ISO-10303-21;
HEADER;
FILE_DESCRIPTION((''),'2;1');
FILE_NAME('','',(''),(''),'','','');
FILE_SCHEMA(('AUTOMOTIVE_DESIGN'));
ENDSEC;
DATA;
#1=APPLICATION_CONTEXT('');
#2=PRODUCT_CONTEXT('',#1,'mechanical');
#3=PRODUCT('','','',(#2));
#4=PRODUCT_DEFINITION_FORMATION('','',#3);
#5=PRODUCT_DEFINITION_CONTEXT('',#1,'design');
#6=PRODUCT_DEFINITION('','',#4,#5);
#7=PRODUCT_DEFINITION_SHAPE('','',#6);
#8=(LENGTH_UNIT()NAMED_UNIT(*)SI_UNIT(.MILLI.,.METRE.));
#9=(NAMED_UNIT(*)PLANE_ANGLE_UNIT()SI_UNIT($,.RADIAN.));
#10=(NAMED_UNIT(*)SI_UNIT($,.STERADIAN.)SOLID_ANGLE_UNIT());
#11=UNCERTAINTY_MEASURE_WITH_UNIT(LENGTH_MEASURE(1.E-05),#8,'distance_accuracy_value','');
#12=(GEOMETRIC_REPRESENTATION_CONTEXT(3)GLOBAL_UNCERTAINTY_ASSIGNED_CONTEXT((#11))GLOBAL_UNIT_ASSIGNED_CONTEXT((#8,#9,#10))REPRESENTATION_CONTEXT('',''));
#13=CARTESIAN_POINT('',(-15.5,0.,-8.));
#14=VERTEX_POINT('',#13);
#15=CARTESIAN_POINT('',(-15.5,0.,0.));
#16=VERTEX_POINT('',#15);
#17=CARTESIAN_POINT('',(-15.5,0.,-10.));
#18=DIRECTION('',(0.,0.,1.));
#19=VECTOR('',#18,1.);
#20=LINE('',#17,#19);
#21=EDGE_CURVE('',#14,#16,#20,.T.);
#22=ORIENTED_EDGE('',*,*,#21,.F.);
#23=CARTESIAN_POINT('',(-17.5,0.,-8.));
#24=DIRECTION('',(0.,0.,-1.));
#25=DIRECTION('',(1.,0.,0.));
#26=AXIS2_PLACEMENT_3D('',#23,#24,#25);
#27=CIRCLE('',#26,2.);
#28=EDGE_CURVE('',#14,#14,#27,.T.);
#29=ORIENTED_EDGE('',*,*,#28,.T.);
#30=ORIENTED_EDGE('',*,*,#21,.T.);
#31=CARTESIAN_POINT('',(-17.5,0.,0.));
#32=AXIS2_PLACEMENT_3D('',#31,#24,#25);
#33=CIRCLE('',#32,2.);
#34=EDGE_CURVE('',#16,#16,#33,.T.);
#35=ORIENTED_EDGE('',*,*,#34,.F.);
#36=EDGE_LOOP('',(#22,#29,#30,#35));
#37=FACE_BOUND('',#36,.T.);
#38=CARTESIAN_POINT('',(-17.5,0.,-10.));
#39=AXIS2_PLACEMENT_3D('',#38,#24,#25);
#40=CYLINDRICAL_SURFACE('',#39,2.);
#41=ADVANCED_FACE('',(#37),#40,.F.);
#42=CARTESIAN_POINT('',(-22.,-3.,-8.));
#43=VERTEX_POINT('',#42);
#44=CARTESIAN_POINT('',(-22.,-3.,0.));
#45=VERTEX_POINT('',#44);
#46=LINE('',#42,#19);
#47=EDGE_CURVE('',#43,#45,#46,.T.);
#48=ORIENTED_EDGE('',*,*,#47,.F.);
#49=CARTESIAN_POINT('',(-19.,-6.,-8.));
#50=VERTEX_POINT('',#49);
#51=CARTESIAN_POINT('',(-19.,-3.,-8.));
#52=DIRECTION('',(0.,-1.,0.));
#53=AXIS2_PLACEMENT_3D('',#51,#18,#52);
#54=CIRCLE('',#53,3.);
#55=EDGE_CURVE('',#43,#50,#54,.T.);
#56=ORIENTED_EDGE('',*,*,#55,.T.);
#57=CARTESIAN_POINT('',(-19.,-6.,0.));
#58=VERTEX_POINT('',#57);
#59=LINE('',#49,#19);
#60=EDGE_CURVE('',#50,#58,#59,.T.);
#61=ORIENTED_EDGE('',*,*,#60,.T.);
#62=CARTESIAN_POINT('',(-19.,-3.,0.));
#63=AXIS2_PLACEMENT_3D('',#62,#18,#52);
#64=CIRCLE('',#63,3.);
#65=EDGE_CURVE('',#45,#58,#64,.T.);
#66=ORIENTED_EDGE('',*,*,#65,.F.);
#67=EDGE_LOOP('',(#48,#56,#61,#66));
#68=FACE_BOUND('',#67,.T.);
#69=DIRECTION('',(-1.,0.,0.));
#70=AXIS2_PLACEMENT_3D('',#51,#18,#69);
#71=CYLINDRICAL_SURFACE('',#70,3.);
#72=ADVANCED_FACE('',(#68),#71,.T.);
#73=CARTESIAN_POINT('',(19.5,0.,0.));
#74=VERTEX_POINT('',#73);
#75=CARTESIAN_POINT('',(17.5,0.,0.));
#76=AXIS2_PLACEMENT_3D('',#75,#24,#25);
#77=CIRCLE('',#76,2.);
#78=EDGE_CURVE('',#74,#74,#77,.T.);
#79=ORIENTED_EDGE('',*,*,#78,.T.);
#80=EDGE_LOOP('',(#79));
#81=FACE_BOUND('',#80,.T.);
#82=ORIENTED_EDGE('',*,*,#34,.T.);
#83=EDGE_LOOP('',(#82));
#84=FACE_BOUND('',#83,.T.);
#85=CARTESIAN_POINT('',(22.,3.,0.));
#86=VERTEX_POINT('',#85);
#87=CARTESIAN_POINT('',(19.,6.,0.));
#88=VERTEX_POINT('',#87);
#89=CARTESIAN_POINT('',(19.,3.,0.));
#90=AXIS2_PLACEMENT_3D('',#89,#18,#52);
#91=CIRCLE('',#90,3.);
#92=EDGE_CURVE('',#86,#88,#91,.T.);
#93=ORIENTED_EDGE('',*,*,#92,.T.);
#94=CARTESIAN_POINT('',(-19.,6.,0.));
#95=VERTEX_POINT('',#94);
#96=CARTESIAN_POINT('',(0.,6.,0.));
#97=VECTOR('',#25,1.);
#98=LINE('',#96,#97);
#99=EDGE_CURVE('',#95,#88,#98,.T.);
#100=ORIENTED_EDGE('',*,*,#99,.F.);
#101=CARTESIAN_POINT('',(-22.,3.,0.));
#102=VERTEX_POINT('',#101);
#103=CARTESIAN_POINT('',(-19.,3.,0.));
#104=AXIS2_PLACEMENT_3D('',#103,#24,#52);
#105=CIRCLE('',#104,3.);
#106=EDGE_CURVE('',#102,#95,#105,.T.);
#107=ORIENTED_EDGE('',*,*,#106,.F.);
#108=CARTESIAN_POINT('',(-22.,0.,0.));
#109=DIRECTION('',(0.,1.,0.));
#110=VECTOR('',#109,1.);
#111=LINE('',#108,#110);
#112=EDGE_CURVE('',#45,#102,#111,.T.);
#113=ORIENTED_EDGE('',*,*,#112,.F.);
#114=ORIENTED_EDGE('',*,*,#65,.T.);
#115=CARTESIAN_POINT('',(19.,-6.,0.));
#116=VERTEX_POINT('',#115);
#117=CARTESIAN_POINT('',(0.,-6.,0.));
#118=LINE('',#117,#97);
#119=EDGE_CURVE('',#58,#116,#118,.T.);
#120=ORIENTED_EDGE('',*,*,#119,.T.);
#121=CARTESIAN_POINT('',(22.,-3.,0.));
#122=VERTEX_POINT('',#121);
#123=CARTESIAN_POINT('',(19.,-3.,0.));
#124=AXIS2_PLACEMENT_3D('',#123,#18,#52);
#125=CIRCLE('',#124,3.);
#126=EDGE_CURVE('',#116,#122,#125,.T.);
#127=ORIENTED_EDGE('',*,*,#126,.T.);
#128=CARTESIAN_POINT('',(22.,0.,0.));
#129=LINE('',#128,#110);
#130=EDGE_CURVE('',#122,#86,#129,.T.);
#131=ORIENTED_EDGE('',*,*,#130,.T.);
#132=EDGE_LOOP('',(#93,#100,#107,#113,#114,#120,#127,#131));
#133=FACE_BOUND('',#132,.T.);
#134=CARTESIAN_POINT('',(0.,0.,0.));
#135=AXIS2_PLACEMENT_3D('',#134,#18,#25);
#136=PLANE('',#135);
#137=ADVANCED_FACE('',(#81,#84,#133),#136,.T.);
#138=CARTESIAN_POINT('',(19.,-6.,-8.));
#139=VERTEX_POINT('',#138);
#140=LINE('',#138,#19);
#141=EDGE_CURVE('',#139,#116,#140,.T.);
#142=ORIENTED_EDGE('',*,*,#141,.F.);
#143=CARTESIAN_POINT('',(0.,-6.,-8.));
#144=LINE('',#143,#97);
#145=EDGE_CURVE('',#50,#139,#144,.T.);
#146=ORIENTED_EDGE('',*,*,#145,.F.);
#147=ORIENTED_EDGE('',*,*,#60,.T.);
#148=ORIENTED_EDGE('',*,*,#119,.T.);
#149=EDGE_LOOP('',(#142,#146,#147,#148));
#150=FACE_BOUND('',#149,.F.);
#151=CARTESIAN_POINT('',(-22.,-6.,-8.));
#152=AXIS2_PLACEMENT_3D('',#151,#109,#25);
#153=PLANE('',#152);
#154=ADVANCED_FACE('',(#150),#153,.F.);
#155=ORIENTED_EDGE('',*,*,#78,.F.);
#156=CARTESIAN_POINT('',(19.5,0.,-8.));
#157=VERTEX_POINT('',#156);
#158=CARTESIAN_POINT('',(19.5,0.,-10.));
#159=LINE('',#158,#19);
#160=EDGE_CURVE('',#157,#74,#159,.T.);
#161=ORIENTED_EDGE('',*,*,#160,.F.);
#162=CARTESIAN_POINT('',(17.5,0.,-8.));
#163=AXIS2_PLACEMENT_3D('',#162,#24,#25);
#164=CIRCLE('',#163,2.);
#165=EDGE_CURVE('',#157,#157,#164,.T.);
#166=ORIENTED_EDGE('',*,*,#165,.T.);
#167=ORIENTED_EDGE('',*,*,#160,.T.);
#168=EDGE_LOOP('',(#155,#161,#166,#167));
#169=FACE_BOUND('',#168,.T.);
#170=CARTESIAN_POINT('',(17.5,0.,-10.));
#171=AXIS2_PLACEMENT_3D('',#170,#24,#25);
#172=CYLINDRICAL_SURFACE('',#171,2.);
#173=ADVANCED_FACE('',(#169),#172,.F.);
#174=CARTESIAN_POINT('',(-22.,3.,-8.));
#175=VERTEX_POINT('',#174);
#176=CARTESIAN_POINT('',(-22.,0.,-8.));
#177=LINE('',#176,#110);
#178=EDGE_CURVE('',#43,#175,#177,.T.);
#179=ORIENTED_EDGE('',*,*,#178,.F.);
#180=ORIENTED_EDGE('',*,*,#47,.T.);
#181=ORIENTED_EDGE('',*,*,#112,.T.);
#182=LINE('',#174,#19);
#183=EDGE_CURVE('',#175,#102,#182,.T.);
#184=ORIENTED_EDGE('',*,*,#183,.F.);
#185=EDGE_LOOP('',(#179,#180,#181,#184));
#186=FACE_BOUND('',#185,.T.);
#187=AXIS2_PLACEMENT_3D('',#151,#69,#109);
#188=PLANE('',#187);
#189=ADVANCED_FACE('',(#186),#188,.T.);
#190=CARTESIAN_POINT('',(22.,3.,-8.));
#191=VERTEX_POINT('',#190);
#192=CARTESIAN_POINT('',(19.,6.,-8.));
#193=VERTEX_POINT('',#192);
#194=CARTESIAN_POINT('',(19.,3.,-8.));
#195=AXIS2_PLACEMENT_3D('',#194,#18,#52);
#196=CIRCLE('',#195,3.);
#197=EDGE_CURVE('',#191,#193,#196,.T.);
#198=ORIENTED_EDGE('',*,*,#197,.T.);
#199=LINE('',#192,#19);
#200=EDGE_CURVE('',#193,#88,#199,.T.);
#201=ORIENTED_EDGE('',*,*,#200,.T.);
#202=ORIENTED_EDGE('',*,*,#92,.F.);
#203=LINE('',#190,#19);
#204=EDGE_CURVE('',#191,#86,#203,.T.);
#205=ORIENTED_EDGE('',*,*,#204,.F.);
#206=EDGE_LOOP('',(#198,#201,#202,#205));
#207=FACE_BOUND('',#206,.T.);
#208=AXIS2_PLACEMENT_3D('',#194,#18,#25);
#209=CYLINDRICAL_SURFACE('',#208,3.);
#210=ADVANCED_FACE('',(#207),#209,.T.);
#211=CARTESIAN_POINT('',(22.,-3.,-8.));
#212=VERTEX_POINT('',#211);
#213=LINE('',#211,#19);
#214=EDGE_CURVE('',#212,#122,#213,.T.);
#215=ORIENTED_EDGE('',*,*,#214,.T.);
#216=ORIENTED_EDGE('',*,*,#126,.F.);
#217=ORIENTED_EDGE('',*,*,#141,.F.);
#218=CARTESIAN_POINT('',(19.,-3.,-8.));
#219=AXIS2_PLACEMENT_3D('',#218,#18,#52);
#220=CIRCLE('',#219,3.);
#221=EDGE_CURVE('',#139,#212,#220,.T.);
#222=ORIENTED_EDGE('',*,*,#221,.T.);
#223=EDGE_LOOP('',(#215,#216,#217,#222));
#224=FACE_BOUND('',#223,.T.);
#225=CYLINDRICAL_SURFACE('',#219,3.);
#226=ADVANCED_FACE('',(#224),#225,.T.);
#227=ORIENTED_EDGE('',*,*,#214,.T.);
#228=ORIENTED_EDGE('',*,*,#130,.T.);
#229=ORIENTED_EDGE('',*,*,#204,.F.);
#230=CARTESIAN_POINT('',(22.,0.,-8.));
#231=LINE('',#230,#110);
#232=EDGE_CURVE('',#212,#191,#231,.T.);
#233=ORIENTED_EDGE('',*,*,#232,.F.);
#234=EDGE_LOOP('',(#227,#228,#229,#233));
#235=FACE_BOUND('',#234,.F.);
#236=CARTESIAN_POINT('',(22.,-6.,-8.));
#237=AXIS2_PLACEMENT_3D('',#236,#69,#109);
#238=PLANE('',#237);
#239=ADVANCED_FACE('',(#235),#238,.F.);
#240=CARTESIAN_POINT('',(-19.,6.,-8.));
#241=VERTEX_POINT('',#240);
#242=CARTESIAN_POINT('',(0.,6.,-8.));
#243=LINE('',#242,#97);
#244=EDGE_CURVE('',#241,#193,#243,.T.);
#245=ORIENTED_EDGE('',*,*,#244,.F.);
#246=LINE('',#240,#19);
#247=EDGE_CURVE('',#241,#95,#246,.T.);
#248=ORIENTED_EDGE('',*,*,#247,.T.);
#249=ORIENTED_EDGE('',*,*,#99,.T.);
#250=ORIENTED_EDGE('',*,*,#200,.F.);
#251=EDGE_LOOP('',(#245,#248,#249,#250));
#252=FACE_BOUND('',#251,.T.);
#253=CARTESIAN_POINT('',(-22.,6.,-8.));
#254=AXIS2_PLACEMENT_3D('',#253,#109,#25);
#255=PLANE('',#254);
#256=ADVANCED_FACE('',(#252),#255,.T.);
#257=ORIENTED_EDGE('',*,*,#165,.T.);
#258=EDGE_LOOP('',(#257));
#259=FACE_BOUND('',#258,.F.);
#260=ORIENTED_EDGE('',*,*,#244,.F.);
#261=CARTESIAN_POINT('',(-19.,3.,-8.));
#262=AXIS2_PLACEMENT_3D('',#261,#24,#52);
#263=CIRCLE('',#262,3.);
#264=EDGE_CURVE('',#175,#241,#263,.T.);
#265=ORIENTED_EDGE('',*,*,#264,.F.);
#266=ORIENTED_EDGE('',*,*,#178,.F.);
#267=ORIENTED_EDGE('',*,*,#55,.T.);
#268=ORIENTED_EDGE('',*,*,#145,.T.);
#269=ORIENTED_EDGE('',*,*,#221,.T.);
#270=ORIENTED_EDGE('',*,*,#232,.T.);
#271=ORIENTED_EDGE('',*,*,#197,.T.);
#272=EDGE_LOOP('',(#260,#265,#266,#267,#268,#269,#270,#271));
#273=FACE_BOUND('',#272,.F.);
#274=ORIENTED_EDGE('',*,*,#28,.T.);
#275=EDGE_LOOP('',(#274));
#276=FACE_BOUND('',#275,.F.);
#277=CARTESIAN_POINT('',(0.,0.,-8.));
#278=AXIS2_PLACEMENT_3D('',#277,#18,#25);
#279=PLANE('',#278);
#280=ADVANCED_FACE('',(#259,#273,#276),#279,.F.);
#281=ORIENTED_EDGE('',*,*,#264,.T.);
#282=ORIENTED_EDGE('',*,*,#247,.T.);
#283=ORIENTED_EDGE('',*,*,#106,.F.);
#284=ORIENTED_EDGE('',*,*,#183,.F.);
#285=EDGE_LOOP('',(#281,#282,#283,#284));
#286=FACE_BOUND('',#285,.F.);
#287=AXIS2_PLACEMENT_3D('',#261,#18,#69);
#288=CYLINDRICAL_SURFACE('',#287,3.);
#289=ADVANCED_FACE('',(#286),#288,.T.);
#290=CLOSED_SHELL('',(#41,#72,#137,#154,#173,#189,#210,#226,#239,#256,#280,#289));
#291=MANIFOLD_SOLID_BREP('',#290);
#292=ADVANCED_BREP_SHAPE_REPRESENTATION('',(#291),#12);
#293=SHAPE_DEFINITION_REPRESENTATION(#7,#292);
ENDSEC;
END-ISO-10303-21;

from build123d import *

# Parameters (mm, degrees)
CYLINDER_R     = 2
CYLINDER_DEPTH = 15
ARRAY_X_COUNT  = 2
ARRAY_X_PITCH  = 35
BOX_W          = 44
BOX_H          = 12
BOX_DEPTH      = 8
FILLET003_R    = 3


with BuildPart() as array:
    # Cylinder → Cylinder (new body)
    with BuildSketch(Plane(origin=(-17.5, 0, -10), x_dir=(1, 0, 0), z_dir=(0, 0, 1))):
        Circle(CYLINDER_R)
    extrude(amount=CYLINDER_DEPTH)

    # Array X: Array ×2


with BuildPart() as array_1:
    add(array.part)
    with Locations(*[(i * ARRAY_X_PITCH, 0, 0) for i in range(1, ARRAY_X_COUNT)]):
        add(array.part)


with BuildPart() as cut:
    # Box → Box (new body)
    with BuildSketch(Plane(origin=(-22, -6, -8), x_dir=(1, 0, 0), z_dir=(0, 0, 1))):
        with Locations((22, 6)):
            Rectangle(BOX_W, BOX_H)
    extrude(amount=BOX_DEPTH)

    # Fillet003
    fillet003_edges = [cut.edges().sort_by_distance(p)[0] for p in [
        (-22, -6, -4),
        (-22, 6, -4),
        (22, -6, -4),
        (22, 6, -4),
    ]]
    fillet(fillet003_edges, radius=FILLET003_R)

    # Cut: cut Array
    add(array_1.part, mode=Mode.SUBTRACT)


solid = cut.part
